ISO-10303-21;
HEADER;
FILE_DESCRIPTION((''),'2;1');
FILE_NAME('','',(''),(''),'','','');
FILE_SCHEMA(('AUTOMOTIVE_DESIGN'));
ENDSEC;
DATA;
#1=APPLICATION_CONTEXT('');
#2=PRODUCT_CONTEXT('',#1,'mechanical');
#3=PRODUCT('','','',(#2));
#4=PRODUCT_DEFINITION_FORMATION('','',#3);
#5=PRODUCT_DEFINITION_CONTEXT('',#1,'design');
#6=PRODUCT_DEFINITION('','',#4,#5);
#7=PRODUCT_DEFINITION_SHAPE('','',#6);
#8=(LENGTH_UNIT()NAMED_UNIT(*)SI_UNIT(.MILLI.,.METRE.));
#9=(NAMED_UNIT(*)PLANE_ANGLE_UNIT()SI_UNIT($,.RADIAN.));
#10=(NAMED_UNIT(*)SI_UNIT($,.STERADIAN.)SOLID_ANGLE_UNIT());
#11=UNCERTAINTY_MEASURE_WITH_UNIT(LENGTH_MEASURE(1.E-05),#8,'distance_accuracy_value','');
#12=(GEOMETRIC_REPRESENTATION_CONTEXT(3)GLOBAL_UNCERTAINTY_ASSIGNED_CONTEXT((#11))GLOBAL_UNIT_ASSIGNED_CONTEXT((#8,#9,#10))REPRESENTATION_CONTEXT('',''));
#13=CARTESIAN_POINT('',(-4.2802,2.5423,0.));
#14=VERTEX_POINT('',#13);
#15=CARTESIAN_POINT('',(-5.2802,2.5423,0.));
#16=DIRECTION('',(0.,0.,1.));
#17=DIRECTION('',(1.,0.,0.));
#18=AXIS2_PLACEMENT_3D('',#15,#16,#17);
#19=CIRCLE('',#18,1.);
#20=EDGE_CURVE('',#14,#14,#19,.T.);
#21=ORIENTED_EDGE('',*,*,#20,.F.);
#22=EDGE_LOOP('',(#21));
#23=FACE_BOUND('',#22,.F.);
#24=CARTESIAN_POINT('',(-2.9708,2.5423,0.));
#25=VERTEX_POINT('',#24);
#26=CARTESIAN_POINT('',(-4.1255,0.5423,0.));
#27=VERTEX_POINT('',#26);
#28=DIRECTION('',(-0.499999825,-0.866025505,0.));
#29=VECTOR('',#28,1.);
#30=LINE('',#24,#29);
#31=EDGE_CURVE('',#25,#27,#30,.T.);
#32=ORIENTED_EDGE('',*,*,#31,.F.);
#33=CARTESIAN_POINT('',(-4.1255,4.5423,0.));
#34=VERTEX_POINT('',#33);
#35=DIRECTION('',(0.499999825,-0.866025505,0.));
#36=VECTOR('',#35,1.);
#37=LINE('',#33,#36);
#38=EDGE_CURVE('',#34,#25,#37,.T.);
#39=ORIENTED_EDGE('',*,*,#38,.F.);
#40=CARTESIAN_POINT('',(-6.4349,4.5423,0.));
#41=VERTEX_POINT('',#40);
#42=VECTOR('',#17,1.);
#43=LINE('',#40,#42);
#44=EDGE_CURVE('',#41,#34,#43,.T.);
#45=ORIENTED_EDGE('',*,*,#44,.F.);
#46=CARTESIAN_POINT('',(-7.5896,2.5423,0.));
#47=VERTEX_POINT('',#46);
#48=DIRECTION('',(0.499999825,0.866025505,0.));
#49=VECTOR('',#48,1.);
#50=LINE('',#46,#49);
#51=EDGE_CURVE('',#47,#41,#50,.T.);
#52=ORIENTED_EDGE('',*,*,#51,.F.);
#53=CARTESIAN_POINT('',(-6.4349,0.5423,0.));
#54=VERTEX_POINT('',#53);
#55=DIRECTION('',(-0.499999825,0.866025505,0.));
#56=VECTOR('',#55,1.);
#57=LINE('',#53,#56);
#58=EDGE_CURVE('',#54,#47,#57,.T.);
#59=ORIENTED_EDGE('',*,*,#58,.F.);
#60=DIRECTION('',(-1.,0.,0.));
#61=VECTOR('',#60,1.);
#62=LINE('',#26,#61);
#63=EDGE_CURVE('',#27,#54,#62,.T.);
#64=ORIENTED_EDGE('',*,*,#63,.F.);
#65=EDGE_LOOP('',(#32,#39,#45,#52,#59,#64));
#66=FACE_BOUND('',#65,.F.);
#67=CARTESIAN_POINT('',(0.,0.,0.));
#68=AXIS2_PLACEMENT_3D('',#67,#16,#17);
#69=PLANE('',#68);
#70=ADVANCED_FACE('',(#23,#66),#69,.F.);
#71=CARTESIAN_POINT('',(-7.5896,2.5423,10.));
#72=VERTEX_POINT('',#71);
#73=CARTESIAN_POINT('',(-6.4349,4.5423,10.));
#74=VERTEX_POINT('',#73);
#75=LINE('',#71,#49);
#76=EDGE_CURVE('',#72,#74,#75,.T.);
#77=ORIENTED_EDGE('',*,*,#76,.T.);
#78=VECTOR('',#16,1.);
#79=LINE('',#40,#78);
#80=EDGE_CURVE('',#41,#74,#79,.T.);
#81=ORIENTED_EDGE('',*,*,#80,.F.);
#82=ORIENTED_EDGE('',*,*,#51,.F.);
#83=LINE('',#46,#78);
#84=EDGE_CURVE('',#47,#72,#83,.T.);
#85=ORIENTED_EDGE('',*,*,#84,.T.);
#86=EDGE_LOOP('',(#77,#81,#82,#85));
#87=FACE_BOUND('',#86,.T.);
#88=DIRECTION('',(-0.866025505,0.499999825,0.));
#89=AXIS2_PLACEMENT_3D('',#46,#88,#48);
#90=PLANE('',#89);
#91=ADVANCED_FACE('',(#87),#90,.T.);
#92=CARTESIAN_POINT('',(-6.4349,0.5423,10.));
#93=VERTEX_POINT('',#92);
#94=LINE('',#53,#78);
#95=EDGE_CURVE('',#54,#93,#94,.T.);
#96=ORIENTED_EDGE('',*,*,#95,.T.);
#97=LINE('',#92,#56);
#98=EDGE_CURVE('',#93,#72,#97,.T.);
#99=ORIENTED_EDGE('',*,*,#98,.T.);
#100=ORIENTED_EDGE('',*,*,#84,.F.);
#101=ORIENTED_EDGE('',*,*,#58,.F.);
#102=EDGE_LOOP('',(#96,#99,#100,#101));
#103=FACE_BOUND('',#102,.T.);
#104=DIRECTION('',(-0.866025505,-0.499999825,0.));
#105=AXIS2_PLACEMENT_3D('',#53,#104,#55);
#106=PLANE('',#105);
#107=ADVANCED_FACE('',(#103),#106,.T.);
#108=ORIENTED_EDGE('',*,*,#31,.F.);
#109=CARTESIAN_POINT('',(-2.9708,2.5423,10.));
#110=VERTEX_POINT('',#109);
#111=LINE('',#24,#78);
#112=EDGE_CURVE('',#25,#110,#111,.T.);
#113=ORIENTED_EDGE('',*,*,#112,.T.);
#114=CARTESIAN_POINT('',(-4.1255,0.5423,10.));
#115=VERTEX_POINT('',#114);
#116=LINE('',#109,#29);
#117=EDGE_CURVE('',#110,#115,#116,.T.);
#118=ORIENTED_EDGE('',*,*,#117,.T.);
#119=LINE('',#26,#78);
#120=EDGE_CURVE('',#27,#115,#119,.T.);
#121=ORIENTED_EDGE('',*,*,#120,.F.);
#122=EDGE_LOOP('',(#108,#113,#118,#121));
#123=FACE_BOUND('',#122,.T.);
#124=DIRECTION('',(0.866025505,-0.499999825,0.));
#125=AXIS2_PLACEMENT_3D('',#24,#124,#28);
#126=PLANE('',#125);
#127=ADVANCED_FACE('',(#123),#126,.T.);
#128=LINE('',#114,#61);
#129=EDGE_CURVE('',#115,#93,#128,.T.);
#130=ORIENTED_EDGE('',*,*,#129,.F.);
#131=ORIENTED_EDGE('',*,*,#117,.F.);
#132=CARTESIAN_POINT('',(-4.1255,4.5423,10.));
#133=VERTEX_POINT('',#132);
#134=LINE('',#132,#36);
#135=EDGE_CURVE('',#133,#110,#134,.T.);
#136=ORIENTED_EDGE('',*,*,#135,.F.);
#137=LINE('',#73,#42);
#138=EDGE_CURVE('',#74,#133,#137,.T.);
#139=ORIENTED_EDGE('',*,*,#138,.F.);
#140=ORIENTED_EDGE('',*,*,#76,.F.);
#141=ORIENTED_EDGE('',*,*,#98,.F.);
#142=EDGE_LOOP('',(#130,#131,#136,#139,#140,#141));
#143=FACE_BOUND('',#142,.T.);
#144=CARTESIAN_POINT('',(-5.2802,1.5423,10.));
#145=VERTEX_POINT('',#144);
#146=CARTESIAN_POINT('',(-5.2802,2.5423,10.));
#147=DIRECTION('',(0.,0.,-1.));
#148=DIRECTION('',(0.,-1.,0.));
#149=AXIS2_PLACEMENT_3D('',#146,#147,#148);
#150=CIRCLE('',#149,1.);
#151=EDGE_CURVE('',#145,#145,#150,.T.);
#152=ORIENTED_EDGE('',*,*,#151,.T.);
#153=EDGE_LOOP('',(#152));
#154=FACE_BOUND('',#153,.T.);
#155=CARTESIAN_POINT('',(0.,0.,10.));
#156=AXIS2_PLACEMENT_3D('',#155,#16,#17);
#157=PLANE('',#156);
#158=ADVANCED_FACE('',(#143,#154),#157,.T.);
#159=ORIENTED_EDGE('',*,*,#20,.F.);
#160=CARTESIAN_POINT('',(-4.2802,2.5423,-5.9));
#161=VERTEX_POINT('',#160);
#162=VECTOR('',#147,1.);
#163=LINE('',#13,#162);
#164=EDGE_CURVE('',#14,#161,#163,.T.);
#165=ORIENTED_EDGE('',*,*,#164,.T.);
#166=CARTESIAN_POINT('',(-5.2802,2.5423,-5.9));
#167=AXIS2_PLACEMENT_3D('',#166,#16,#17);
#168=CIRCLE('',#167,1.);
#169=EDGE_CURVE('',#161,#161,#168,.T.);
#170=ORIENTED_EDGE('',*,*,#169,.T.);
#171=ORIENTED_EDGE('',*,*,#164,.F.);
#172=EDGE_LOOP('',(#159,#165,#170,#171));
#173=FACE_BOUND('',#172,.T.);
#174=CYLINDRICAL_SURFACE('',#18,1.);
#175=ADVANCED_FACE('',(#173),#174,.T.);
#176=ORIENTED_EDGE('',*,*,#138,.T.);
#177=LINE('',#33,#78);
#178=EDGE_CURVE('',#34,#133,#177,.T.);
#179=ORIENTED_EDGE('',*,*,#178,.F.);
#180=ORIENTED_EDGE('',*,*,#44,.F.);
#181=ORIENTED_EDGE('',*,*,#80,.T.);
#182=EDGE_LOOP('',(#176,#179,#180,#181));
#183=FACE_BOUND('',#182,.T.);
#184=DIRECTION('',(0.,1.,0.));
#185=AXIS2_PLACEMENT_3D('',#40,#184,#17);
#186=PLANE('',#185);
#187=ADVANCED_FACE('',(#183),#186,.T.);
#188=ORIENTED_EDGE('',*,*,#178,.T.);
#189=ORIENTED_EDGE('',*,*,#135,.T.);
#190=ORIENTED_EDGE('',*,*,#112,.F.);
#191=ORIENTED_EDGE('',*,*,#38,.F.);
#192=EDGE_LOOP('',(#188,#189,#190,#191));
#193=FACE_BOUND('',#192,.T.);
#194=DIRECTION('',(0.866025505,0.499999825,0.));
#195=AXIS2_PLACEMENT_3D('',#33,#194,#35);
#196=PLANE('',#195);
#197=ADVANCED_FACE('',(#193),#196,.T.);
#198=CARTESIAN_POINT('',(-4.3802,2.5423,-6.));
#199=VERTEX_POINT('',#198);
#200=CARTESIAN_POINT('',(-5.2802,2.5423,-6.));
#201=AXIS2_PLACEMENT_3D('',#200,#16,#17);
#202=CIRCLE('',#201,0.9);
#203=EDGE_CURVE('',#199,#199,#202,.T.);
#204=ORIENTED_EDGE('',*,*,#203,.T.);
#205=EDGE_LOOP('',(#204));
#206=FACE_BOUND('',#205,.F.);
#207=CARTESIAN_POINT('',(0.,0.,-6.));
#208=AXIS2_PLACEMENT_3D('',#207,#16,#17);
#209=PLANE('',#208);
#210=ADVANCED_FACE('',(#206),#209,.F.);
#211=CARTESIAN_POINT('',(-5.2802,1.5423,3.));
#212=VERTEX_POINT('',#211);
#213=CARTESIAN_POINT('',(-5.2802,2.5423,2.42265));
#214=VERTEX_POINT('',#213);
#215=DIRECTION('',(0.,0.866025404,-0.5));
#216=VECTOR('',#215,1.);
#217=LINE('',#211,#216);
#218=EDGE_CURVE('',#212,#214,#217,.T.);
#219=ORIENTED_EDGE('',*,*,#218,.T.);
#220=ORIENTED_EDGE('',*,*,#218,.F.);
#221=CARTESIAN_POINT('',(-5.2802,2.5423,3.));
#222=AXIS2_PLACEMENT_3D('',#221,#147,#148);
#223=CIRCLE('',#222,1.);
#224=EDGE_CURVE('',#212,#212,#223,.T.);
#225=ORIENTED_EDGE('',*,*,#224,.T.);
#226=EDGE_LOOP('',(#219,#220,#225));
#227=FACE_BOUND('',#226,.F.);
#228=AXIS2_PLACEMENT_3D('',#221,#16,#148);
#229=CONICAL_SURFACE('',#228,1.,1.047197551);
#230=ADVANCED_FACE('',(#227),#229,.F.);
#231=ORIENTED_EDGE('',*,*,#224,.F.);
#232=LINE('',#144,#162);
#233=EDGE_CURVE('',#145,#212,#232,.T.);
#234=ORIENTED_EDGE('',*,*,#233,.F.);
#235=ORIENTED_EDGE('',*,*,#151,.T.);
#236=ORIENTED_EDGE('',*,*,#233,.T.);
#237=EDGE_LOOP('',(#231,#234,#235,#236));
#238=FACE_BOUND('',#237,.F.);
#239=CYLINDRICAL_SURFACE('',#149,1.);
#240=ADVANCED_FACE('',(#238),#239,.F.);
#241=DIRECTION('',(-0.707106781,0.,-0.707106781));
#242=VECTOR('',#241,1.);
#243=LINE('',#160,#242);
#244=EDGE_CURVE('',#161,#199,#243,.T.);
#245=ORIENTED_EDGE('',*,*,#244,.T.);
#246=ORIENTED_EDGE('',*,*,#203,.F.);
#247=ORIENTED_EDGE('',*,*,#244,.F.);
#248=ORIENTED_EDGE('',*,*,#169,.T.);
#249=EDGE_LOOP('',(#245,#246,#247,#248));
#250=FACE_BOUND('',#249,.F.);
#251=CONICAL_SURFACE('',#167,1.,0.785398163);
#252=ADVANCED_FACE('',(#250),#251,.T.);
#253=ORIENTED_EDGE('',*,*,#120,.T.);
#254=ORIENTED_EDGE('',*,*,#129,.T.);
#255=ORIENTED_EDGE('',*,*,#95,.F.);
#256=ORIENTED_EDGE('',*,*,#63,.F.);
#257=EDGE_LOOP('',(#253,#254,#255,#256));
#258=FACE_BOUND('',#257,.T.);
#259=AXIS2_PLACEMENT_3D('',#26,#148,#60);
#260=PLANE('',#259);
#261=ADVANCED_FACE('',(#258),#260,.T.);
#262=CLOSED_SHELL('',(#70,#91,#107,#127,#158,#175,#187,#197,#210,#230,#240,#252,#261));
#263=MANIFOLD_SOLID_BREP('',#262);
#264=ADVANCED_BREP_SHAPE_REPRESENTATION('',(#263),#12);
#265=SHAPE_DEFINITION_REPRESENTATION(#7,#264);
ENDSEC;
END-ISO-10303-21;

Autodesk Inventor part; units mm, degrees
ref_plane "YZ Plane" through (0, 0, 0) normal (1, 0, 0) x (0, 1, 0)
ref_plane "XZ Plane" through (0, 0, 0) normal (0, 1, 0) x (-1, 0, 0)
ref_plane "XY Plane" through (0, 0, 0) normal (0, 0, 1) x (1, 0, 0)
sketch "Sketch1" plane through (0, 0, 0) normal (0, 0, 1) x (1, 0, 0)
  line L0 (-7.5896, 2.5423) -> (-6.4349, 4.5423)
  line L1 (-6.4349, 4.5423) -> (-4.1255, 4.5423)
  line L2 (-4.1255, 4.5423) -> (-2.9708, 2.5423)
  line L3 (-2.9708, 2.5423) -> (-4.1255, 0.5423)
  line L4 (-4.1255, 0.5423) -> (-6.4349, 0.5423)
  line L5 (-6.4349, 0.5423) -> (-7.5896, 2.5423)
  circle A0 centre (-5.2802, 2.5423) radius 1
  dimension "d0" = 4
  dimension "d1" = 2
extrude "Extrusion1" add sketch "Sketch1" along normal blind 10 contours L0 L1 L2 L3 L4 L5 | A0
extrude "Extrusion2" add sketch "Sketch1" against normal blind 6 contours A0
sketch "Sketch2" plane through (0, 0, 10) normal (0, 0, 1) x (1, 0, 0)
  circle A0 centre (-5.2802, 2.5423) radius 1 projected
  circle A1 centre (-5.2802, 2.5423) radius 1.5
  point P0 (0, 0)
hole "Hole1" at (-5.2802, 2.5423, 10) direction (0, 0, -1) diameter 2 depth 7 tip angle 120
chamfer "Chamfer1" distance 0.1 angle 45 1 edges at (-6.2802, 2.5423, -6)
thread "Thread3" size "M2x0.4" class "6g" standard "ISO Metric profile" length 6
thread "Thread4" size "M2x0.4" class "6H" standard "ISO Metric profile" length 6
properties part number "Espaciador de Plástico M2 L10" material "Brass, Soft Yellow"
